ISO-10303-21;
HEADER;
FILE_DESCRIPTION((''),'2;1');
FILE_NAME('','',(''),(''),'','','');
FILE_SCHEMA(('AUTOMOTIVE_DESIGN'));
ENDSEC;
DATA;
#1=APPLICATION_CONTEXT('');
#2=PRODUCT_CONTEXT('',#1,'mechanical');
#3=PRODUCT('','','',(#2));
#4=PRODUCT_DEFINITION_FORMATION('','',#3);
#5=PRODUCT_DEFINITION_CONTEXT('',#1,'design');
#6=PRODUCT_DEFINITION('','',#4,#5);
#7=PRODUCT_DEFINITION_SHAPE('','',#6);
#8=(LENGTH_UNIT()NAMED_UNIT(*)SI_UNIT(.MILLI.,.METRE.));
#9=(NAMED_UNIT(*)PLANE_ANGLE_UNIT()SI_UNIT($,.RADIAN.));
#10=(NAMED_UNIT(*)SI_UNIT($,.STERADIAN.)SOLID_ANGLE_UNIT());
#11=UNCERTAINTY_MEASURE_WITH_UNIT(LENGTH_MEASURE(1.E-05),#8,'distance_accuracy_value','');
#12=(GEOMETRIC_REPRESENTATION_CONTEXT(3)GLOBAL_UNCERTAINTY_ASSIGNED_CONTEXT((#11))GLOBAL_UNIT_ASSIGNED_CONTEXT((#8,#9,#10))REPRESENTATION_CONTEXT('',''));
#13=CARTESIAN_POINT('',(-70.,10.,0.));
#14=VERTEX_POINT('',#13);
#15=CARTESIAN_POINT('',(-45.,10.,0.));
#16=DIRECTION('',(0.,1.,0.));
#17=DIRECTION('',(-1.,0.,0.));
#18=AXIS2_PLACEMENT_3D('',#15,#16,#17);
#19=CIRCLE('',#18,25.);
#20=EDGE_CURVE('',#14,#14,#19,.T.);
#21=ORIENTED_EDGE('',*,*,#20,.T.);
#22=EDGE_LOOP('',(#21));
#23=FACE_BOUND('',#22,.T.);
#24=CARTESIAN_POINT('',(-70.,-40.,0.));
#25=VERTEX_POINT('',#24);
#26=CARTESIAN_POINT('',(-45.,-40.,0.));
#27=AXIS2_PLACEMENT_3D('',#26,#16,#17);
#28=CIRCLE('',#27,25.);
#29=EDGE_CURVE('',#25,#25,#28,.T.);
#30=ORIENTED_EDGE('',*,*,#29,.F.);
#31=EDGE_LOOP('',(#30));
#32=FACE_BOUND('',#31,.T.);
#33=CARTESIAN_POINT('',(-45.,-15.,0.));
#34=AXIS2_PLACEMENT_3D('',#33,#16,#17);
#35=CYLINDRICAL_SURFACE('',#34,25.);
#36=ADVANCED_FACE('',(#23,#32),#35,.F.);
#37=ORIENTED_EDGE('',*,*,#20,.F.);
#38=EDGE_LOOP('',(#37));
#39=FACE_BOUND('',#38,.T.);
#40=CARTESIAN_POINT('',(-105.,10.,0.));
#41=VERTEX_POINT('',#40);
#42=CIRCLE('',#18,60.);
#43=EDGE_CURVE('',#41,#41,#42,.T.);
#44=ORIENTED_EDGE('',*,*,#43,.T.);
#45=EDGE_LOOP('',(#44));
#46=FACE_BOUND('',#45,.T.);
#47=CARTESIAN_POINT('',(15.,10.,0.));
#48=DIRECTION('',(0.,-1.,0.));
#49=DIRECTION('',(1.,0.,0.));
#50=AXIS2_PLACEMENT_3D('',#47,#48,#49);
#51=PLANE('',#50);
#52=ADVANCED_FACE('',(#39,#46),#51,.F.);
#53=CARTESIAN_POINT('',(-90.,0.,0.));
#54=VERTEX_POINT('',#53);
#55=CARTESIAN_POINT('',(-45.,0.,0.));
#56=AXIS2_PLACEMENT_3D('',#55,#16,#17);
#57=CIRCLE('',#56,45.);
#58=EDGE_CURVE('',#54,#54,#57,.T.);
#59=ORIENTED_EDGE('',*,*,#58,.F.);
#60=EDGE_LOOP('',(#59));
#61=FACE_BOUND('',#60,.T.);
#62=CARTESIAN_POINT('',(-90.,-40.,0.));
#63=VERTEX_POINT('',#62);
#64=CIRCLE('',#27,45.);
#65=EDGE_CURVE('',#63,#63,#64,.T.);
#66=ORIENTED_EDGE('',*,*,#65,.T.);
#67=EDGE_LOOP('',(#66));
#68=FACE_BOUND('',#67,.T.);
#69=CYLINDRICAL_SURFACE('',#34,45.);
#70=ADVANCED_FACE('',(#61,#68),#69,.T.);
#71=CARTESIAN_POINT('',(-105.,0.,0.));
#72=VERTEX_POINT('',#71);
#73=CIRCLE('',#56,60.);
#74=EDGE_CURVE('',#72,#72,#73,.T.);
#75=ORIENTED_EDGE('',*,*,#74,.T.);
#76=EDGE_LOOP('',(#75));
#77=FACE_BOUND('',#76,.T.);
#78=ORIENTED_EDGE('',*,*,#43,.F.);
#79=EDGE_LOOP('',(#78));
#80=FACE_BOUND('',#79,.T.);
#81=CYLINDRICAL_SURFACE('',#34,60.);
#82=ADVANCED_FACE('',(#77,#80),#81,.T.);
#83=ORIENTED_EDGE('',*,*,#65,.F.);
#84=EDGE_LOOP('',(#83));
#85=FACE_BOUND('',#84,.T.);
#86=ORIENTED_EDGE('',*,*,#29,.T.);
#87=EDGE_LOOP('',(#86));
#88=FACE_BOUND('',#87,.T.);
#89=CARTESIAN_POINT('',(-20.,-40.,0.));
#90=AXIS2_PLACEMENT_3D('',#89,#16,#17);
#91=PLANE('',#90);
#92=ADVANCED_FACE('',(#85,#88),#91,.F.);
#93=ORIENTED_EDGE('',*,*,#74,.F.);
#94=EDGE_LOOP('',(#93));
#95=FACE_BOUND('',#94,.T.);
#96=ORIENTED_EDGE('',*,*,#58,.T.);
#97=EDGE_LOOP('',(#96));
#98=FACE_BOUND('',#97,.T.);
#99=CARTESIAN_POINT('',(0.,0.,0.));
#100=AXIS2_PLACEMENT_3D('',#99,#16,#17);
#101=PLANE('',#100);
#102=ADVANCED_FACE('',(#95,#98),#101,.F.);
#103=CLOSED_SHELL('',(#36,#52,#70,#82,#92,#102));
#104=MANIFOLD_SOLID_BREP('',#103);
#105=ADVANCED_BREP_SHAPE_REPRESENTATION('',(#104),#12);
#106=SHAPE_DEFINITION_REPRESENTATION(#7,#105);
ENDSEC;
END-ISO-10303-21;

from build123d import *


with BuildPart() as part:
    # Sketch1 → Revolve1 (revolve)
    with BuildSketch(Plane.XY):
        Polygon((0, 0), (15, 0), (15, 10), (-20, 10), (-20, -40), (0, -40), align=None)
    revolve(axis=Axis((-45, -15, 0), (0, -1, 0)))


solid = part.part
